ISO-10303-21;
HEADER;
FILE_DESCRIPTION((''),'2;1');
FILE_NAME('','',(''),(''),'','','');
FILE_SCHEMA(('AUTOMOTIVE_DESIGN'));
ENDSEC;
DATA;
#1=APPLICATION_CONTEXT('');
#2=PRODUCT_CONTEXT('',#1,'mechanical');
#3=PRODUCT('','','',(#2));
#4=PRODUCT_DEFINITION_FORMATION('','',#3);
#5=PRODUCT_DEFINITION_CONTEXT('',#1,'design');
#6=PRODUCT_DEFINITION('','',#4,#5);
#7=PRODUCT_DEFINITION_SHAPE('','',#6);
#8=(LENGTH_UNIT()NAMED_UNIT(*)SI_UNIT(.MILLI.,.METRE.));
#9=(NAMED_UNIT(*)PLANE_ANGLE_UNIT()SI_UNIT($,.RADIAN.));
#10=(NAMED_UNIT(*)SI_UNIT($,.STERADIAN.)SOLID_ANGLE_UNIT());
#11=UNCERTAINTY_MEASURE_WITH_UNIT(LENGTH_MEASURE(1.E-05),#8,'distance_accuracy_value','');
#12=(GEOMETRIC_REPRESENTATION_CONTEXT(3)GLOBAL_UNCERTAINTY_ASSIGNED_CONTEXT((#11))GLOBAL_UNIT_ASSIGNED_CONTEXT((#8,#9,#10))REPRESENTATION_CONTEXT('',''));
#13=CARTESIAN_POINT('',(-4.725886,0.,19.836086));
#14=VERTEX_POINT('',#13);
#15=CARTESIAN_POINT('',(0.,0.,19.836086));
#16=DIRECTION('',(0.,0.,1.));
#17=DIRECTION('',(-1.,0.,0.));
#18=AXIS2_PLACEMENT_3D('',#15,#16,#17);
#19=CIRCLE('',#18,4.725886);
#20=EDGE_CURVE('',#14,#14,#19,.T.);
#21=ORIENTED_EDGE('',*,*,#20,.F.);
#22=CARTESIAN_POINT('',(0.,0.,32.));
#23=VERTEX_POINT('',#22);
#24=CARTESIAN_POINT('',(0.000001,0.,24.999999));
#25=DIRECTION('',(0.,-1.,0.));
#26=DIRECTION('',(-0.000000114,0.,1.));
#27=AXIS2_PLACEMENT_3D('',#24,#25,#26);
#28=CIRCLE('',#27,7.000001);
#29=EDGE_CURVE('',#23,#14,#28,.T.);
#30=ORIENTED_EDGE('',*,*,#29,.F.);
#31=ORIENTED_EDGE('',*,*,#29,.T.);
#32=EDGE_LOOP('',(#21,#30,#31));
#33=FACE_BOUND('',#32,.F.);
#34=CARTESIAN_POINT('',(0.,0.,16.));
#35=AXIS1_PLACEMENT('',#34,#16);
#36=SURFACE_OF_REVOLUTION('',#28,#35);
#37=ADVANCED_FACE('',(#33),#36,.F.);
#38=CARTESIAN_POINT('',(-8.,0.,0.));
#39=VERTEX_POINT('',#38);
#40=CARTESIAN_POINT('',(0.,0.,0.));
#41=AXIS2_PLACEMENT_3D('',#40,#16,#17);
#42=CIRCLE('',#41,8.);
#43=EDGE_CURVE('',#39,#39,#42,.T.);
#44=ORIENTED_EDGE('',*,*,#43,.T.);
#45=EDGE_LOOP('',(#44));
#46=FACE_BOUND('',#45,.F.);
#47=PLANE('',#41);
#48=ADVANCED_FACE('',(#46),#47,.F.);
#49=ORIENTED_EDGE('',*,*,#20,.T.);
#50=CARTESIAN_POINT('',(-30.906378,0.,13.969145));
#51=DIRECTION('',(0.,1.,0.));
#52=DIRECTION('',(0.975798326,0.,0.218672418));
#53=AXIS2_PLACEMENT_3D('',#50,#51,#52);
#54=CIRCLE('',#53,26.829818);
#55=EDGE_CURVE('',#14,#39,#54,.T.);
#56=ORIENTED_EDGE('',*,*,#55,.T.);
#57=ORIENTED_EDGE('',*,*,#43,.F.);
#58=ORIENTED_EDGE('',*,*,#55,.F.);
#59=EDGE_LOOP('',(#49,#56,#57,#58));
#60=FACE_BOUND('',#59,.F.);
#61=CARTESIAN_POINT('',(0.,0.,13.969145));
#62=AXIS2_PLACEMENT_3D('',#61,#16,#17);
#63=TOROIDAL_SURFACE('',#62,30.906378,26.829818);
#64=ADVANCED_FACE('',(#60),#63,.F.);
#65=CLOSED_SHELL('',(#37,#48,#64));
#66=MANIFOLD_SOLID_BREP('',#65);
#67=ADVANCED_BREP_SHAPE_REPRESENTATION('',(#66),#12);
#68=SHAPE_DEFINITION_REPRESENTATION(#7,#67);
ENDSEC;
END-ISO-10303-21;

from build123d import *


with BuildPart() as f1:
    # F0 (on Front) → F1 (revolve)
    with BuildSketch(Plane.XZ):
        with BuildLine():
            Line((0, 0), (0, 32))
            ThreePointArc((0, 32), (-6.524852, 27.535015), (-4.725886, 19.836086))
            ThreePointArc((-4.725886, 19.836086), (-4.434737, 9.599776), (-8, 0))
            Line((-8, 0), (0, 0))
        make_face()
    revolve(axis=Axis((0, 0, 16), (0, 0, 1)))


solid = f1.part
